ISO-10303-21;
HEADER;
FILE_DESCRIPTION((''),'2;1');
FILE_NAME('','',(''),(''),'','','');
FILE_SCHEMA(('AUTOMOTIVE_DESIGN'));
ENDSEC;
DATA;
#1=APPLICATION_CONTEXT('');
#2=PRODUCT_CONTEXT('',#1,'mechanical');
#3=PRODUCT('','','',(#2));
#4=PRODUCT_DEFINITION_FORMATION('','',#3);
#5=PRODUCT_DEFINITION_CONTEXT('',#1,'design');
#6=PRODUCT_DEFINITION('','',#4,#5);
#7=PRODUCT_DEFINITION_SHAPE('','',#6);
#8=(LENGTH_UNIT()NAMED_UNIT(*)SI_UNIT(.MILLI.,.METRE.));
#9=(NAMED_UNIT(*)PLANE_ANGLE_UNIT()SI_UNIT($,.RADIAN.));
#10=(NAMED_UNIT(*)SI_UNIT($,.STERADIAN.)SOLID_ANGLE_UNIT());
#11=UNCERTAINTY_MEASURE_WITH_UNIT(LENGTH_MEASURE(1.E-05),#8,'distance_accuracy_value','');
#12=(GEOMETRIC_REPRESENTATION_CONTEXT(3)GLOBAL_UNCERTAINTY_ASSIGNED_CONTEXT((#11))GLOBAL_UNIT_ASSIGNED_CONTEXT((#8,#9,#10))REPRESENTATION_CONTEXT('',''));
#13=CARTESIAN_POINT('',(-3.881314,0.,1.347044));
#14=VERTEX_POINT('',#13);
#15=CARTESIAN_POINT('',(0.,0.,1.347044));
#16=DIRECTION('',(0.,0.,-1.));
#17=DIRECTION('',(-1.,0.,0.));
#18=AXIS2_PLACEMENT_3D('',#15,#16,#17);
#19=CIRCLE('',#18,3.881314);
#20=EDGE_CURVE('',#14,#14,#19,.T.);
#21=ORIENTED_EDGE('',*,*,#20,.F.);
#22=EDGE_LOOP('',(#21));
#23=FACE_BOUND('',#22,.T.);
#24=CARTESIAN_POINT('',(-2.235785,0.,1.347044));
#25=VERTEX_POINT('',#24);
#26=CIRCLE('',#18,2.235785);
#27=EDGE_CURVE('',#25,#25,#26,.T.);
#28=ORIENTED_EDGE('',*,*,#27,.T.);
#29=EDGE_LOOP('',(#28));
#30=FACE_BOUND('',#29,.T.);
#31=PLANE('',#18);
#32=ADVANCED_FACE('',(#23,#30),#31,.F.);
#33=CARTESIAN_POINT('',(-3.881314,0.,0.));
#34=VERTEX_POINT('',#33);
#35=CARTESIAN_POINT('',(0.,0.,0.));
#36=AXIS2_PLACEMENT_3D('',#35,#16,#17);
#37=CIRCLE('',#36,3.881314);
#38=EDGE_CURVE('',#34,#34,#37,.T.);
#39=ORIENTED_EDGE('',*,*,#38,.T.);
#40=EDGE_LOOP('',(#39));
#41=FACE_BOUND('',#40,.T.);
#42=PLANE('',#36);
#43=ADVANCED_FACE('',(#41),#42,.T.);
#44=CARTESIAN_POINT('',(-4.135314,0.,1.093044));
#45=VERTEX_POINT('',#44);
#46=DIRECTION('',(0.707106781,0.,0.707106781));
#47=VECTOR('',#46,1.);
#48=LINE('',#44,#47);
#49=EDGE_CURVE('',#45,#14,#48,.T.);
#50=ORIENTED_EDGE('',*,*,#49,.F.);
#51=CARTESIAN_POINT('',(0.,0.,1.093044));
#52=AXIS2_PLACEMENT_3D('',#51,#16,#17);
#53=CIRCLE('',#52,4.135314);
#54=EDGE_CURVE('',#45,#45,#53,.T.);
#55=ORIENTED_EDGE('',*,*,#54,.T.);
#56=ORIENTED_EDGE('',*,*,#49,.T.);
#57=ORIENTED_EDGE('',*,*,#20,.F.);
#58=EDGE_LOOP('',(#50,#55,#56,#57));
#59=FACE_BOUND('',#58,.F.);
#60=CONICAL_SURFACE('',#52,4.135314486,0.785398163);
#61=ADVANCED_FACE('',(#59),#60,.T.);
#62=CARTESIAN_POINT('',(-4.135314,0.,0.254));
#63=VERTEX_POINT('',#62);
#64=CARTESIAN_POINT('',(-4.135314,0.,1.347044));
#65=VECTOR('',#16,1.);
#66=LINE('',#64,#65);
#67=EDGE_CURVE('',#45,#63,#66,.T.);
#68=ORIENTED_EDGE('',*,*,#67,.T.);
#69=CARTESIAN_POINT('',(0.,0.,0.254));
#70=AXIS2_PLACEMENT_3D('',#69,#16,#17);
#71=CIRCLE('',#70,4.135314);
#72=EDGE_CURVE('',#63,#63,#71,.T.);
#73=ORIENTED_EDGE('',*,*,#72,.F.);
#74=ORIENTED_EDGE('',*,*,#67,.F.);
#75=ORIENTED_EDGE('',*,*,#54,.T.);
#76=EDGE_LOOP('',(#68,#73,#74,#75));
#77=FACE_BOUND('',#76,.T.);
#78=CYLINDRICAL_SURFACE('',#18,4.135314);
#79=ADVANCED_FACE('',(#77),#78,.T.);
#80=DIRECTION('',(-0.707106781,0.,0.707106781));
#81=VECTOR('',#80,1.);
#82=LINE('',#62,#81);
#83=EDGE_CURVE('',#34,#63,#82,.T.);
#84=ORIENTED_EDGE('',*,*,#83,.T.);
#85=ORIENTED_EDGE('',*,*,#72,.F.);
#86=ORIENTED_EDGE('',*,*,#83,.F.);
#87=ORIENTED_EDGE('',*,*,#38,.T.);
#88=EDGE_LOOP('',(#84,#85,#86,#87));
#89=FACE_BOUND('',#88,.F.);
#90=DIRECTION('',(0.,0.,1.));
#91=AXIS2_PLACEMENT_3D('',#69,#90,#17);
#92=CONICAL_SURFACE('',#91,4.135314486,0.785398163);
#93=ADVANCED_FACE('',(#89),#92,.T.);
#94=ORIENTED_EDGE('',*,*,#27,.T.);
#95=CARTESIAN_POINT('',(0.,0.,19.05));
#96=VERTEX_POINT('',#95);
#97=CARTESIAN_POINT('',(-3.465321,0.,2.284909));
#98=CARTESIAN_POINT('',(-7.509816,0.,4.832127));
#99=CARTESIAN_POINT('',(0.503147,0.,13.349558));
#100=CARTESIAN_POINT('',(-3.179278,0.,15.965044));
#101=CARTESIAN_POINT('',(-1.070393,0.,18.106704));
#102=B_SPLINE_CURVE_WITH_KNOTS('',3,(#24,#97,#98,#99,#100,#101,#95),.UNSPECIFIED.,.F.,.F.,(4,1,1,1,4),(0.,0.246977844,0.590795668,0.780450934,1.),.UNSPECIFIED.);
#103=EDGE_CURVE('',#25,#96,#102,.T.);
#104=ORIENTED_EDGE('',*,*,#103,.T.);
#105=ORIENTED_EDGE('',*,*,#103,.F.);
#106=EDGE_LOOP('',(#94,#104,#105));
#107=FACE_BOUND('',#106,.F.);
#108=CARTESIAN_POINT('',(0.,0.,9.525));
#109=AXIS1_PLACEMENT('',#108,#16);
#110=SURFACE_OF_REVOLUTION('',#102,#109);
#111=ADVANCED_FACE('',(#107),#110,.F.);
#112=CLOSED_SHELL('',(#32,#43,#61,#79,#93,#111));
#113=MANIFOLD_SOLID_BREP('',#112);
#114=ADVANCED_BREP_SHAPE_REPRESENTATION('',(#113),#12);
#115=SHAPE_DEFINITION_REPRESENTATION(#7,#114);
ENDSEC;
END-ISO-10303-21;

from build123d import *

# Parameters (mm, degrees)
F2_SIZE = 0.254


with BuildPart() as f1:
    # F0 (on Front) → F1 (revolve)
    with BuildSketch(Plane.XZ):
        with BuildLine():
            add(Edge.make_bspline(
                [(-2.2357851444, 1.3470440552), (-3.4653206702, 2.2849090351), (-7.5098162756, 4.8321274415), (0.5031474686, 13.349557607), (-3.1792775632, 15.9650438718), (-1.0703927229, 18.1067038529), (0, 19.05)],
                knots=[0, 0, 0, 0, 0.2469778436, 0.5907956684, 0.7804509336, 1, 1, 1, 1], degree=3))
            Line((-2.2357851444, 1.3470440552), (-4.1353144864, 1.3470440552))
            Line((-4.1353144864, 1.3470440552), (-4.1353144864, 0))
            Line((-4.1353144864, 0), (0, 0))
            Line((0, 0), (0, 19.05))
        make_face()
    revolve(axis=Axis((0, 0, 9.525), (0, 0, -1)))

    # F2
    f2_edges = [f1.edges().sort_by_distance(p)[0] for p in [
        (4.135314, 0, 1.347044),
        (4.135314, 0, 0),
        (-4.135314, 0, 0.673522),
    ]]
    chamfer(f2_edges, length=F2_SIZE)


solid = f1.part
